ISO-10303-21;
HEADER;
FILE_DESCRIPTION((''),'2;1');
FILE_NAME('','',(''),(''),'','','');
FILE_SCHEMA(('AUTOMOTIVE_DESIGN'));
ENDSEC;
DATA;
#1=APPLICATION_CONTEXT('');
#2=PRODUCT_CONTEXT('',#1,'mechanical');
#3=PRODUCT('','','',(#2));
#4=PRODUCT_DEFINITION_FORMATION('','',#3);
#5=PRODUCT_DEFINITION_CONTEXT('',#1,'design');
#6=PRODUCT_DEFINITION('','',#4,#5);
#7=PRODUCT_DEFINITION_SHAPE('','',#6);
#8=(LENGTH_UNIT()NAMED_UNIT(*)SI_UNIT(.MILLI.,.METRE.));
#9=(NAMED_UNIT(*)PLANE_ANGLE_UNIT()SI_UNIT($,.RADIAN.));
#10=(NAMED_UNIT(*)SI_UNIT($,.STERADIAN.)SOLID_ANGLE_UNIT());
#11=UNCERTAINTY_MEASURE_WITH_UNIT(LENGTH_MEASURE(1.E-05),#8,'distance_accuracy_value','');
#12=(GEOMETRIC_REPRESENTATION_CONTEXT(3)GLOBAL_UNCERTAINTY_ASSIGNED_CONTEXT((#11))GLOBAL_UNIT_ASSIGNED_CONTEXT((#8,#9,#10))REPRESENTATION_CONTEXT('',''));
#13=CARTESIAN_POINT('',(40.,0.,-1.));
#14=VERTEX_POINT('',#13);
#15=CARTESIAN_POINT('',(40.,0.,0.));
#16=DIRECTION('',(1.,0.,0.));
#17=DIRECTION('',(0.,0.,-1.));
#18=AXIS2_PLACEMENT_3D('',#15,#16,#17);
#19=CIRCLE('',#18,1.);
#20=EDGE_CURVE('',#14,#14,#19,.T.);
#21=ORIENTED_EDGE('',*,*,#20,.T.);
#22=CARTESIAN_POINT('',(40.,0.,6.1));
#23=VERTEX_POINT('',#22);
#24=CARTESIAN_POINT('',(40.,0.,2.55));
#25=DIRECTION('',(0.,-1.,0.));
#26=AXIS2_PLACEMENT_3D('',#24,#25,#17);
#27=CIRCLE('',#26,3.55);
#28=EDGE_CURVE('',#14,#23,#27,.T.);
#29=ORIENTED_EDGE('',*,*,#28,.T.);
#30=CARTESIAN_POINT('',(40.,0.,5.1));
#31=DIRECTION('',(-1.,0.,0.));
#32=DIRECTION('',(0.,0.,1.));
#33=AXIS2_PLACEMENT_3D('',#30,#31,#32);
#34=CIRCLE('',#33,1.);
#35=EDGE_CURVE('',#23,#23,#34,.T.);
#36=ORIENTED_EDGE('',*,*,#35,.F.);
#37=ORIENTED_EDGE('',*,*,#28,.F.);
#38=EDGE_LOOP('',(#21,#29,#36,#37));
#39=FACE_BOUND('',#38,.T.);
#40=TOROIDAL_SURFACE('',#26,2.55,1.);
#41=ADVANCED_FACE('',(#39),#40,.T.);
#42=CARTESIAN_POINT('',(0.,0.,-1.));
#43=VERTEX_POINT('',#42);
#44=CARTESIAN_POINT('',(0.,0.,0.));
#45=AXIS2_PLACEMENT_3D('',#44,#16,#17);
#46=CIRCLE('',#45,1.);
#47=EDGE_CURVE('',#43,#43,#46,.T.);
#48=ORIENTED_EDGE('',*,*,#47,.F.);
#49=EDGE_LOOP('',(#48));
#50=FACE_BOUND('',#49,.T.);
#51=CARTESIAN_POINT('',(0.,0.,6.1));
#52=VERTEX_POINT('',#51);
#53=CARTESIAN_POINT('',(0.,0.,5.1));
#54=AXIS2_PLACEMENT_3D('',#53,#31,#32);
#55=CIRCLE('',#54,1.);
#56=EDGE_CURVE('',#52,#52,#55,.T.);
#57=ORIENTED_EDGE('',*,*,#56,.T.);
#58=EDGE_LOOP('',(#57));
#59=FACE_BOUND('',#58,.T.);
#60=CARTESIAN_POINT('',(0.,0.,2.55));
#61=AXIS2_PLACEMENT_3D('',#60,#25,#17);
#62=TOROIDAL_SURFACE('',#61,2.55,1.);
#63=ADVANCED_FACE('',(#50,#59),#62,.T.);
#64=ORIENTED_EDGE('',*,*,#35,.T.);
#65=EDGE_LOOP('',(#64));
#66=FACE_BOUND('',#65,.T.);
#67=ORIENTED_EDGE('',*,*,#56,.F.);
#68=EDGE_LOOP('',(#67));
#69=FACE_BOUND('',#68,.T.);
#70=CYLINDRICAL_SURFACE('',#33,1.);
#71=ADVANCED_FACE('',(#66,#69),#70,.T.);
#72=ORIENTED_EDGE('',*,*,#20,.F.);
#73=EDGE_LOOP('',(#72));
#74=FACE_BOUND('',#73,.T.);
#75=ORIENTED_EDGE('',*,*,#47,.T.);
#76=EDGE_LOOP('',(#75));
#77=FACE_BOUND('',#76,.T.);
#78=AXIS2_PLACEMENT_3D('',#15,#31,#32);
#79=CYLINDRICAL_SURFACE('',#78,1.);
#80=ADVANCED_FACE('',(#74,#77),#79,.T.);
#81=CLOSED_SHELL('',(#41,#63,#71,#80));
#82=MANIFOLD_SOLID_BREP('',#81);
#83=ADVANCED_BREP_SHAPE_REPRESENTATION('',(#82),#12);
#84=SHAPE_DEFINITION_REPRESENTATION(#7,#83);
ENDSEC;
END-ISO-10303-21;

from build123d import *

# Parameters (mm, degrees)
SKETCH2_R = 1


with BuildPart() as part:
    # Sweep1: sweep along a path in Sketch1
    with BuildLine(Plane(origin=(0, 0, 0), x_dir=(1, 0, 0), z_dir=(0, 1, 0))) as sweep1_path:
        Line((0, 0), (40, 0))
        ThreePointArc((40, 0), (42.55, -2.55), (40, -5.1))
        Line((40, -5.1), (0, -5.1))
        ThreePointArc((0, -5.1), (-2.55, -2.55), (0, 0))
    # Sketch2 → Sweep1 (sweep)
    with BuildSketch(Plane(origin=(0, 0, 0), x_dir=(0, 0, -1), z_dir=(1, 0, 0))):
        Circle(SKETCH2_R)
    sweep(path=sweep1_path.line)


solid = part.part
